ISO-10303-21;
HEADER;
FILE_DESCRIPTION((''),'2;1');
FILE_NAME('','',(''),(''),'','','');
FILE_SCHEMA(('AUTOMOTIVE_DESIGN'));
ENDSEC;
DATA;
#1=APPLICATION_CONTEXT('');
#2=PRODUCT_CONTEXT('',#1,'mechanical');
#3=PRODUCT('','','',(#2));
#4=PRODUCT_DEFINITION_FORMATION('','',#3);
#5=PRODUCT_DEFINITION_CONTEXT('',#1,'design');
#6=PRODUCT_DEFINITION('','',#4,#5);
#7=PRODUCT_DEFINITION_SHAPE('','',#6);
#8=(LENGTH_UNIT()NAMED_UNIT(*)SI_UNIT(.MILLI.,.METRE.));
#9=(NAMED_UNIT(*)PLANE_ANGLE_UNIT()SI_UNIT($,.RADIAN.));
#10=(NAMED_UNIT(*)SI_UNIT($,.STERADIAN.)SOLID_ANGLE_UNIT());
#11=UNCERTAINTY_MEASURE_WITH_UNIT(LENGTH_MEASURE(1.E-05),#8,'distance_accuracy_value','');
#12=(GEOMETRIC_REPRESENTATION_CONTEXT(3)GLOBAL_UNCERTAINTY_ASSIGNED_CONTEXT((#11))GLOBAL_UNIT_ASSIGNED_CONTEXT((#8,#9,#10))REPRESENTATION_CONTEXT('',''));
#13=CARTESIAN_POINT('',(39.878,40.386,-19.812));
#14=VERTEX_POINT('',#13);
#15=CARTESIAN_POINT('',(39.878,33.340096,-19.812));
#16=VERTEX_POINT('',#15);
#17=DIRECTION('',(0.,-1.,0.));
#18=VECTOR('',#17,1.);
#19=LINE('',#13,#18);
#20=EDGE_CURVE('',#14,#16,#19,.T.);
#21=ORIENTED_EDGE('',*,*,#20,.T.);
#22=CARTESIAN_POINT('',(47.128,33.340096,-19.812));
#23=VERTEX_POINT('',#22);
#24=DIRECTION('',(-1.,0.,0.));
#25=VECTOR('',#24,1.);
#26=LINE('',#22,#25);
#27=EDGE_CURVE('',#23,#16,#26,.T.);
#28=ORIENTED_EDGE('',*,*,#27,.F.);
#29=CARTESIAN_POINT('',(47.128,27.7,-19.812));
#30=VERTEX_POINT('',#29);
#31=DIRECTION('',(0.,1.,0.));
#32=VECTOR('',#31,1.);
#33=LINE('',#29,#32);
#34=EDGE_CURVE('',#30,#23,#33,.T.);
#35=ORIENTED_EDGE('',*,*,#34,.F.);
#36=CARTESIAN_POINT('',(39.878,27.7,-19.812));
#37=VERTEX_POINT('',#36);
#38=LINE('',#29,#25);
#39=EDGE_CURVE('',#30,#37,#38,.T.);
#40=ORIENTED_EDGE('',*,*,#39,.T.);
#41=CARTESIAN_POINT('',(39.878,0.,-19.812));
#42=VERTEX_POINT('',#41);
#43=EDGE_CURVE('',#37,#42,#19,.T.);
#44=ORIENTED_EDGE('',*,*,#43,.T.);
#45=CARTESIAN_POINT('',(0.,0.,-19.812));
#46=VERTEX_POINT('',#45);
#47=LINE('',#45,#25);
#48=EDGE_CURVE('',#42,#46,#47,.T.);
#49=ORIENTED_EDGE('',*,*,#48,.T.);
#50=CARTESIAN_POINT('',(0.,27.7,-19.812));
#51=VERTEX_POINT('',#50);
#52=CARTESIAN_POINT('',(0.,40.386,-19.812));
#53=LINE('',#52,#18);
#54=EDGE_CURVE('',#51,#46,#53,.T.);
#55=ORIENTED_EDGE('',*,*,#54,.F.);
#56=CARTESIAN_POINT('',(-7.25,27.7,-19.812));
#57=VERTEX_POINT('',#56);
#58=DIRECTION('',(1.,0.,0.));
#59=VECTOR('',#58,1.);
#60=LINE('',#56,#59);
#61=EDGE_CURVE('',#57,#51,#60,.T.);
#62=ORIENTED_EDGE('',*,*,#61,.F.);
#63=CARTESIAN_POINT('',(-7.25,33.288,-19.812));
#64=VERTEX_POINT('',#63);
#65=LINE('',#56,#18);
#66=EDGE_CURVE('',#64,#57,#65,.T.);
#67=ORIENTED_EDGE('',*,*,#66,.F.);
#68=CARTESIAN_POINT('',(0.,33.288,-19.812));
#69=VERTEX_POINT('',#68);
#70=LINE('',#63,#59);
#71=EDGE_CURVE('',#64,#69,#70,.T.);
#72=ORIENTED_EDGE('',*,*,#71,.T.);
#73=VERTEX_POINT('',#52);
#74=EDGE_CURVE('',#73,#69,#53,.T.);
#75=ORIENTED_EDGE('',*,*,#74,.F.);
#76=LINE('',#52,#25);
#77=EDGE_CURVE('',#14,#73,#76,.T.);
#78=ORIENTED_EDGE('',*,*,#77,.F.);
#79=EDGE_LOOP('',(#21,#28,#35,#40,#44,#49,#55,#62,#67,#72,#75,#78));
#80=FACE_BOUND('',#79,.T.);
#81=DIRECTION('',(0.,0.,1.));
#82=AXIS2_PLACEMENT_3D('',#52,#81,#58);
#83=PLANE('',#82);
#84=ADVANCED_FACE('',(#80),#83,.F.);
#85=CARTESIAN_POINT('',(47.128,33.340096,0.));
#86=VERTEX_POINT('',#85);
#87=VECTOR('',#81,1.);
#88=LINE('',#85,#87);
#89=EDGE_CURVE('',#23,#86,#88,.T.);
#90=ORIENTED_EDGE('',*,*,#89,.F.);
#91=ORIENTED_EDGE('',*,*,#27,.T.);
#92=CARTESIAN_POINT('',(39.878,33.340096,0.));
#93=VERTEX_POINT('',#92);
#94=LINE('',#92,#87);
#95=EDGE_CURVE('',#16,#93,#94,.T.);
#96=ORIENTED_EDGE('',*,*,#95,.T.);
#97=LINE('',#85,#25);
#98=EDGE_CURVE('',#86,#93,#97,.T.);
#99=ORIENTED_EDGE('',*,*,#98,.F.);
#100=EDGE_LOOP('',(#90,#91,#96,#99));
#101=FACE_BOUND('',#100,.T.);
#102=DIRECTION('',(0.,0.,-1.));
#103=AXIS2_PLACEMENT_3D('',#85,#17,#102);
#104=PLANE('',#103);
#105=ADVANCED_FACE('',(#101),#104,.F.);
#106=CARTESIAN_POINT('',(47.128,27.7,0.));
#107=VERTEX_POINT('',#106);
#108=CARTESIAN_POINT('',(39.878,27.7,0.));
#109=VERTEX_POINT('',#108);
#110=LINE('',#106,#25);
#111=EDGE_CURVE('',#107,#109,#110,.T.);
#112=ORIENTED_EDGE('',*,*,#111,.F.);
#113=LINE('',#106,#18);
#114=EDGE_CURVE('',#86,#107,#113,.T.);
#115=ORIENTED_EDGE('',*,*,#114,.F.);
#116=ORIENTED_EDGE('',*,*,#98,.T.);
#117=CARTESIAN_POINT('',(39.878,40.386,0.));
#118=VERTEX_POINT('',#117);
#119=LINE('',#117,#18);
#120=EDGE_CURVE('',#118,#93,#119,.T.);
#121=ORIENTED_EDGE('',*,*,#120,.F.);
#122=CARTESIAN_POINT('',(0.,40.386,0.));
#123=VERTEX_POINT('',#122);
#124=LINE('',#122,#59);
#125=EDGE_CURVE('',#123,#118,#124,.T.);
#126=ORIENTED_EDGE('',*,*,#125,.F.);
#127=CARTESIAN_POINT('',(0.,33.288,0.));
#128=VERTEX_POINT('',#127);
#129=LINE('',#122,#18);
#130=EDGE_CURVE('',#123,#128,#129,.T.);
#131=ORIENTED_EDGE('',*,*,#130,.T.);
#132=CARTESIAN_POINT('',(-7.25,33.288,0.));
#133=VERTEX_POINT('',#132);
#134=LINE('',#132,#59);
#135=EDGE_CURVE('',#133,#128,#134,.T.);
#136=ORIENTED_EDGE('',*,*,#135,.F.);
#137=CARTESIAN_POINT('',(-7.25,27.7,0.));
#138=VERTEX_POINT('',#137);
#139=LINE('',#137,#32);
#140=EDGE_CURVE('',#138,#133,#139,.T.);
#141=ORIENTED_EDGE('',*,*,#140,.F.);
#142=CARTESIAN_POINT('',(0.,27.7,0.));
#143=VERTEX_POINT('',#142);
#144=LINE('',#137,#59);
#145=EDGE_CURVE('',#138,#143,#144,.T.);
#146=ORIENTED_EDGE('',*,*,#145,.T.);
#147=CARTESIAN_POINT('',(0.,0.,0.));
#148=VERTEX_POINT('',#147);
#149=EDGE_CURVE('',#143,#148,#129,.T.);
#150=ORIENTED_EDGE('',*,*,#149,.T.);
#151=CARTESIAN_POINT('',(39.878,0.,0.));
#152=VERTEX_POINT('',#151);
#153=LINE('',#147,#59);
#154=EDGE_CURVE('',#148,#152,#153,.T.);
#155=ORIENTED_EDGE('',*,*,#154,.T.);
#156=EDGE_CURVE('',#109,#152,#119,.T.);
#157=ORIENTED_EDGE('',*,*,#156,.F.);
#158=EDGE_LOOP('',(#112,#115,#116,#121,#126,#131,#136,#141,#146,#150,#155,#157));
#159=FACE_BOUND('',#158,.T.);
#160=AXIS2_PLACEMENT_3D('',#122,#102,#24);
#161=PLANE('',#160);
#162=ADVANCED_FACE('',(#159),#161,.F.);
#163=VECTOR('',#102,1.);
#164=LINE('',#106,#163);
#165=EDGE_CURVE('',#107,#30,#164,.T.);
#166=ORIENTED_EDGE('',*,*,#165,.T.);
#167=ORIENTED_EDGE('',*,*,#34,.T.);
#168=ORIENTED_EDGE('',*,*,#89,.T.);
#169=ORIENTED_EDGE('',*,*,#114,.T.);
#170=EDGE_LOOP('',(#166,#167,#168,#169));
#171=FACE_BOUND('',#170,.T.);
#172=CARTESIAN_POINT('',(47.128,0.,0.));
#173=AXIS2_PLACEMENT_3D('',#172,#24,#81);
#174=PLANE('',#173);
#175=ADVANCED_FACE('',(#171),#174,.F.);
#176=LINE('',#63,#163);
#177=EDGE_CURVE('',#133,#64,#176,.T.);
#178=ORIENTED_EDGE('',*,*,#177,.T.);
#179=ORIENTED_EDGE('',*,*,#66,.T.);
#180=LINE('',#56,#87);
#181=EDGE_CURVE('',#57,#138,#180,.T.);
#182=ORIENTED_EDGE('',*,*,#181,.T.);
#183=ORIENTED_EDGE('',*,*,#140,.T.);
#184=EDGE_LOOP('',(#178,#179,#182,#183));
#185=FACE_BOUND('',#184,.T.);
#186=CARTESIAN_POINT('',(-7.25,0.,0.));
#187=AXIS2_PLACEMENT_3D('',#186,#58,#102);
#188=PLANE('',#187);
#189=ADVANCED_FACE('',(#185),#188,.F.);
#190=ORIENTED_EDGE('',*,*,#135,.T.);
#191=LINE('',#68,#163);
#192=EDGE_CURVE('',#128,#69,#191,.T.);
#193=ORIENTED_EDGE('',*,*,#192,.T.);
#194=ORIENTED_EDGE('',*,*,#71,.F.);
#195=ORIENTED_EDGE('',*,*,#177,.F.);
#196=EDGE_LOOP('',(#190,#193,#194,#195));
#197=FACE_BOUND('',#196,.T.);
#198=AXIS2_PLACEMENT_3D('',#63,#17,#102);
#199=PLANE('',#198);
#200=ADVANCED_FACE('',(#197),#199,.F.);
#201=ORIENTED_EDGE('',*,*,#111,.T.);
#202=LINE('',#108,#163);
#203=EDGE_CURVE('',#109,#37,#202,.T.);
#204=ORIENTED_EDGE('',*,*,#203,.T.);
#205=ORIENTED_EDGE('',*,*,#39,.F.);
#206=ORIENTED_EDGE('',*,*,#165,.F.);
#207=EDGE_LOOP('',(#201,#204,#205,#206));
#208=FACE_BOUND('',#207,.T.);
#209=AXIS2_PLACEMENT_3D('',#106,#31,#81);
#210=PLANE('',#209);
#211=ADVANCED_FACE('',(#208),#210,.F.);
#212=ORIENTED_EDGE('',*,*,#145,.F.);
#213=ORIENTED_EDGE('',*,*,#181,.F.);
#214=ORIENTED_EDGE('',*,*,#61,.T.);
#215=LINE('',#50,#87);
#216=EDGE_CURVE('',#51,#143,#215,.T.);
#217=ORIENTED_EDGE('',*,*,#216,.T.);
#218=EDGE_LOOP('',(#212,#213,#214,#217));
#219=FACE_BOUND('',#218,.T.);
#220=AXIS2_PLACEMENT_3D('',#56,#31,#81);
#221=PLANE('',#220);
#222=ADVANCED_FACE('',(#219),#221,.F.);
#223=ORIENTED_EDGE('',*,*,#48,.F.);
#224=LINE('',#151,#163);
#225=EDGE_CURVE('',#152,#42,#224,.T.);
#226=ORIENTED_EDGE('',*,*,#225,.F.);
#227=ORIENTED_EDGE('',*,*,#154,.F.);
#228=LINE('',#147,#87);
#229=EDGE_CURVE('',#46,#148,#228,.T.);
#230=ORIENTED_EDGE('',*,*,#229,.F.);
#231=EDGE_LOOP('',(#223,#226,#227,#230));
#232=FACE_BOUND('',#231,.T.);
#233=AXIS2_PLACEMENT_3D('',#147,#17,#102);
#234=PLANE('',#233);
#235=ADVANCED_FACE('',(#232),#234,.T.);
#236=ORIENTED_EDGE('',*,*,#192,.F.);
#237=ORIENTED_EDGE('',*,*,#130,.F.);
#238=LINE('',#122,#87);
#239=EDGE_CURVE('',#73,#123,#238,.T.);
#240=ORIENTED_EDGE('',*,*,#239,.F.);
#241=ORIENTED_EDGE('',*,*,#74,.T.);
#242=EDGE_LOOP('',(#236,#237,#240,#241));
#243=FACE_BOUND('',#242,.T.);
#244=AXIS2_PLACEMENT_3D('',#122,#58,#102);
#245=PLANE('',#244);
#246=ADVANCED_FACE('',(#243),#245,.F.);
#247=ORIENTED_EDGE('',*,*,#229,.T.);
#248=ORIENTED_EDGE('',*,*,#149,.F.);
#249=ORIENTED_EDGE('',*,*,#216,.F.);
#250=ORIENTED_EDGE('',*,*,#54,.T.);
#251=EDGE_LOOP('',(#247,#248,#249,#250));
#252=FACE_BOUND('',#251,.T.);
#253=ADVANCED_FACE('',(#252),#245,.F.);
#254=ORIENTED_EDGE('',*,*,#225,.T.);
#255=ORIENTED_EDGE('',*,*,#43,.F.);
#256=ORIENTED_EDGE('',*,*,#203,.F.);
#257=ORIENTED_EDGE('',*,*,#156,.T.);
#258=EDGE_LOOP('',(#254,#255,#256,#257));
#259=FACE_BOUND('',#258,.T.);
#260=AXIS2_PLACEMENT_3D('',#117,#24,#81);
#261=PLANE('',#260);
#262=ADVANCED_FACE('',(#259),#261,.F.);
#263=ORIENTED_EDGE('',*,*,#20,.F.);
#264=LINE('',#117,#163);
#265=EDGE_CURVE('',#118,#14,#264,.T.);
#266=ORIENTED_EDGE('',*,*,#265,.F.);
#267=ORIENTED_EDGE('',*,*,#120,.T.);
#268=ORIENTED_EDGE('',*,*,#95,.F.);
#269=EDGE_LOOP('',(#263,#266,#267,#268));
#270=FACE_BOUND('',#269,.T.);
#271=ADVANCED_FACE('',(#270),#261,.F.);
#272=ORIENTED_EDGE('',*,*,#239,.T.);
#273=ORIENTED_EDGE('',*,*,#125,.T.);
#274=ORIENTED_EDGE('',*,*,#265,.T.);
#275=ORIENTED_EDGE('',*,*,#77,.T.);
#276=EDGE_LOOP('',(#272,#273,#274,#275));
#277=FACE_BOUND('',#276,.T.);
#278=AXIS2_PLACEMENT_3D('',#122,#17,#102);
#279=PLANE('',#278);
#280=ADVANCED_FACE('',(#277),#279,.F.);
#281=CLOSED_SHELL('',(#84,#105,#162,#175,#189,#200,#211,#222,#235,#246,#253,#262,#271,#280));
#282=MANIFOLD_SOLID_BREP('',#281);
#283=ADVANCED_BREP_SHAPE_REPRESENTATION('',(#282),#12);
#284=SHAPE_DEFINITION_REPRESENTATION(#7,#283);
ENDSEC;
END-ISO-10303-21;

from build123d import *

# Parameters (mm, degrees)
SKETCH2_W           = 39.878
SKETCH2_H           = 19.812
BOSS_EXTRUDE1_DEPTH = 40.386
SKETCH3_W           = 19.812
SKETCH3_H           = 5.640095975
BOSS_EXTRUDE2_DEPTH = 7.25
SKETCH4_W           = 19.812
SKETCH4_H           = 5.588
BOSS_EXTRUDE3_DEPTH = 7.25


with BuildPart() as part:
    # Sketch2 → Boss-Extrude1 (new body)
    with BuildSketch(Plane(origin=(0, 0, 0), x_dir=(1, 0, 0), z_dir=(0, 1, 0))):
        with Locations((19.939, 9.906)):
            Rectangle(SKETCH2_W, SKETCH2_H)
    extrude(amount=BOSS_EXTRUDE1_DEPTH)

    # Sketch3 → Boss-Extrude2 (add)
    with BuildSketch(Plane(origin=(39.878, 0, 0), x_dir=(0, 0, -1), z_dir=(1, 0, 0))):
        with Locations((9.906, 30.520047988)):
            Rectangle(SKETCH3_W, SKETCH3_H)
    extrude(amount=BOSS_EXTRUDE2_DEPTH)

    # Sketch4 → Boss-Extrude3 (add)
    with BuildSketch(Plane.ZY):
        with Locations((-9.906, 30.494)):
            Rectangle(SKETCH4_W, SKETCH4_H)
    extrude(amount=BOSS_EXTRUDE3_DEPTH)


solid = part.part
